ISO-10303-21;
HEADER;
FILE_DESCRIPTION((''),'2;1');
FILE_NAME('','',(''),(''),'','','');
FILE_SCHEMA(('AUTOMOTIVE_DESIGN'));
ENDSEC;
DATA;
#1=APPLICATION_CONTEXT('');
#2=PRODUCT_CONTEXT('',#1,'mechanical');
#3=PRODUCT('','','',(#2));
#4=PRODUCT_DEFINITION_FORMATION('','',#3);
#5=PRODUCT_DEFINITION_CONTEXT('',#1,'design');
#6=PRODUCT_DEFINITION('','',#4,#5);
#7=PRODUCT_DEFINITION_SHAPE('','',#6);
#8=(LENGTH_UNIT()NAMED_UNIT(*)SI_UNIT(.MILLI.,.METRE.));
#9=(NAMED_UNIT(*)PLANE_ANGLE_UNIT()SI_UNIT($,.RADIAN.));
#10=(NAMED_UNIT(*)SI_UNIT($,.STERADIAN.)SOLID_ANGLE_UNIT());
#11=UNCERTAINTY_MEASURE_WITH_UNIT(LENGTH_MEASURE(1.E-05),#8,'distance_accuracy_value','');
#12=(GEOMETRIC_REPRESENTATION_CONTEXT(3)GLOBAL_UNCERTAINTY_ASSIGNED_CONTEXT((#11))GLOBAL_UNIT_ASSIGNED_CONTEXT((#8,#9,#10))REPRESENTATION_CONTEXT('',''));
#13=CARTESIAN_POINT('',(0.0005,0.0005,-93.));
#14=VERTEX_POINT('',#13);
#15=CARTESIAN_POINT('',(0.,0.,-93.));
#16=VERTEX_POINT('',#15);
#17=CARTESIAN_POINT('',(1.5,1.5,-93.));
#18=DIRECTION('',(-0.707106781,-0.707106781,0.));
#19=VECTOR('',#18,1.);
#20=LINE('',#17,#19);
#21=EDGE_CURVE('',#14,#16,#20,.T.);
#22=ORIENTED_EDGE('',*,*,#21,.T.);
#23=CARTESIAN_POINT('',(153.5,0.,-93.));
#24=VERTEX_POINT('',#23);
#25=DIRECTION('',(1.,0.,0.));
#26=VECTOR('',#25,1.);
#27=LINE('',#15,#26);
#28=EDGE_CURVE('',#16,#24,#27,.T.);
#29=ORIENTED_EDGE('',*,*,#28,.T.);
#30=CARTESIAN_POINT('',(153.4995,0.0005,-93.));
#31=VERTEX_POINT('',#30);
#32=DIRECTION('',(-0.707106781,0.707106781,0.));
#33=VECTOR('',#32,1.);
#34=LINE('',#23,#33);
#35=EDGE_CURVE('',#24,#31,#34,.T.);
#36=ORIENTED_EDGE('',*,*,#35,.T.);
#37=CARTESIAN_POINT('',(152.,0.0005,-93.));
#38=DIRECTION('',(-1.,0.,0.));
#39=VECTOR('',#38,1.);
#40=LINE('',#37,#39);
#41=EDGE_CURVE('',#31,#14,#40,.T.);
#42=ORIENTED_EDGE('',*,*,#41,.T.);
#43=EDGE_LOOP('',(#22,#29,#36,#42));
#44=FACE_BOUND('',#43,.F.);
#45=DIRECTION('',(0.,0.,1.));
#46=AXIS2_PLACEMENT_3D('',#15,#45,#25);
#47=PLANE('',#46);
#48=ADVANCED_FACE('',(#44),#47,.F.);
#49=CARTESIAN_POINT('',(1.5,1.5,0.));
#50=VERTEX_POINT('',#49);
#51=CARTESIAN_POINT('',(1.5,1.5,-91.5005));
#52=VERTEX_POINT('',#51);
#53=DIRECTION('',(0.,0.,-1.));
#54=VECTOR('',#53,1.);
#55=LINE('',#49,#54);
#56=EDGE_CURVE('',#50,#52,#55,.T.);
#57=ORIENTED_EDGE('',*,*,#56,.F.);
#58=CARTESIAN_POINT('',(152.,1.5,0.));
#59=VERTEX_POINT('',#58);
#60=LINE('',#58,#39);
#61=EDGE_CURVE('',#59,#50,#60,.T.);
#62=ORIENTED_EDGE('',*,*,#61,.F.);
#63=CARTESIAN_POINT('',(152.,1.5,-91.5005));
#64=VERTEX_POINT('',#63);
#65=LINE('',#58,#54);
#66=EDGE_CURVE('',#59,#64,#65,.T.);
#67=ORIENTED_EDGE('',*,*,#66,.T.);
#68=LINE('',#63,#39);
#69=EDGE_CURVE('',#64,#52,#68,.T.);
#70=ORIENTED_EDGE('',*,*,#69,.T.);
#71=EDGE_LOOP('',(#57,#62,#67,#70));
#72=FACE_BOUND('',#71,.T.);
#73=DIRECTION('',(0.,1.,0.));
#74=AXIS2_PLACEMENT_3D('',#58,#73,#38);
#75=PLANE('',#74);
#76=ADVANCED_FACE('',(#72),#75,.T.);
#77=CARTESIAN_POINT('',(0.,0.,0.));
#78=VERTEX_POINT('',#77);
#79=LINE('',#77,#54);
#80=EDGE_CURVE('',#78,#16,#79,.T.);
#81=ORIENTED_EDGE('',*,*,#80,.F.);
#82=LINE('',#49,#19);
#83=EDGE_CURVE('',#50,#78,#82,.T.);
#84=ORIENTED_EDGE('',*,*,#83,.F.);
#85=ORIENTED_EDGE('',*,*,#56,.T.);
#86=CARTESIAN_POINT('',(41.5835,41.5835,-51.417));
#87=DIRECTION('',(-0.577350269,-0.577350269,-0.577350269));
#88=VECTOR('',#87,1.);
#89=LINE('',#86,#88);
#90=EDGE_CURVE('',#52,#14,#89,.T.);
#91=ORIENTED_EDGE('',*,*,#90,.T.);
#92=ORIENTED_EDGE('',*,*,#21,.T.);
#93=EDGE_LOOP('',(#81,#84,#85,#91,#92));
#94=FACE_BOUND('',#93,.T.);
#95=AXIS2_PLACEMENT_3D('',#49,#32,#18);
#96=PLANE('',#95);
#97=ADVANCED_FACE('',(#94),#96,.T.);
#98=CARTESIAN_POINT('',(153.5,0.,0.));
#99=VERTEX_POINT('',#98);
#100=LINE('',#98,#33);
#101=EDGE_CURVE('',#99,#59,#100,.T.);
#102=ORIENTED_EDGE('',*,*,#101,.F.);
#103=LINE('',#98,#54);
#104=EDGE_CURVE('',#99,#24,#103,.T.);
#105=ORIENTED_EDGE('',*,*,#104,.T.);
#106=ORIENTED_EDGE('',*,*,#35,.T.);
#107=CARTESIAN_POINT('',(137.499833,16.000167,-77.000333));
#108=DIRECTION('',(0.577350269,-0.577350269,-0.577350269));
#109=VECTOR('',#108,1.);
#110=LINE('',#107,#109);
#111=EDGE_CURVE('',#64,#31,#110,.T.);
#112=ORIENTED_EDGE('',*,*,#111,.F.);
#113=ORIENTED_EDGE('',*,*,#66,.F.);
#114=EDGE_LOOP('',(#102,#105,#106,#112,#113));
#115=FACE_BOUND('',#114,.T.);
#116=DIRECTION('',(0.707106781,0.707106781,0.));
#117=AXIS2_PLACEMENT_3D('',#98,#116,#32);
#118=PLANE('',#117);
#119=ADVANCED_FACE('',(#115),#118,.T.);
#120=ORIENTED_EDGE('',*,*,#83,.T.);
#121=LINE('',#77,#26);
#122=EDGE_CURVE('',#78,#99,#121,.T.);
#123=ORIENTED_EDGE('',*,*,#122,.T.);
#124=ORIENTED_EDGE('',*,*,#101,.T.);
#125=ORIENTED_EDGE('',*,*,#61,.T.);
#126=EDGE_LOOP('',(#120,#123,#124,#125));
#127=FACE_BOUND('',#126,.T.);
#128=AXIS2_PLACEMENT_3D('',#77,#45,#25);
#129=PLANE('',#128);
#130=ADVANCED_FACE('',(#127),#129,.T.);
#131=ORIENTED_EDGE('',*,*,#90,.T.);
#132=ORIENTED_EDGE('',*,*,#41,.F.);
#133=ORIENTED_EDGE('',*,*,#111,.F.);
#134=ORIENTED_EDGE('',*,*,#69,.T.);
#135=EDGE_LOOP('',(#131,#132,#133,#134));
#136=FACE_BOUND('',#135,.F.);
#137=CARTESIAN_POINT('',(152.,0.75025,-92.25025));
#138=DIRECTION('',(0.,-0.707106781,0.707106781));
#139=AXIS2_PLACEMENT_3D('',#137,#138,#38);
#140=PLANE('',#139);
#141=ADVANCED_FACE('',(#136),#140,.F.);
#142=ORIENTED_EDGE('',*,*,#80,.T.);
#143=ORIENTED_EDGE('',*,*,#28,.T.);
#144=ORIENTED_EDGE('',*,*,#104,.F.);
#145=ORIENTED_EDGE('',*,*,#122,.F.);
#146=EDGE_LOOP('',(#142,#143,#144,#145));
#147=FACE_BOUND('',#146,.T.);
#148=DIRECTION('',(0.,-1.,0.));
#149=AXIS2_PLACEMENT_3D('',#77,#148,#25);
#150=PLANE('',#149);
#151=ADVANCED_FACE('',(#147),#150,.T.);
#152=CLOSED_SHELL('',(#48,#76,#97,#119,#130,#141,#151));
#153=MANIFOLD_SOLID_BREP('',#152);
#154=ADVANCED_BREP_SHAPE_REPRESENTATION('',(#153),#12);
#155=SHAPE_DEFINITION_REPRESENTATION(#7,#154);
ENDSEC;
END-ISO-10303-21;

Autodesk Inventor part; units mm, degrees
ref_plane "YZ Plane" through (0, 0, 0) normal (1, 0, 0) x (0, 1, 0)
ref_plane "XZ Plane" through (0, 0, 0) normal (0, 1, 0) x (-1, 0, 0)
ref_plane "XY Plane" through (0, 0, 0) normal (0, 0, 1) x (1, 0, 0)
sketch "Skizze1" plane through (0, 0, 0) normal (0, 0, 1) x (1, 0, 0)
  line L0 (153.5, 0) -> (152, 1.5) projected
  line L1 (0, 0) -> (153.5, 0)
  line L2 (152, 1.5) -> (1.5, 1.5)
  line L3 (1.5, 1.5) -> (0, 0)
  dimension "d0" = 45
extrude "Extrusion1" add sketch "Skizze1" against normal blind 93
chamfer "Fase1" distance 1.5 angle 45 1 edges at (76.75, 1.5, -93)
properties part number "Zwischenplatt"
